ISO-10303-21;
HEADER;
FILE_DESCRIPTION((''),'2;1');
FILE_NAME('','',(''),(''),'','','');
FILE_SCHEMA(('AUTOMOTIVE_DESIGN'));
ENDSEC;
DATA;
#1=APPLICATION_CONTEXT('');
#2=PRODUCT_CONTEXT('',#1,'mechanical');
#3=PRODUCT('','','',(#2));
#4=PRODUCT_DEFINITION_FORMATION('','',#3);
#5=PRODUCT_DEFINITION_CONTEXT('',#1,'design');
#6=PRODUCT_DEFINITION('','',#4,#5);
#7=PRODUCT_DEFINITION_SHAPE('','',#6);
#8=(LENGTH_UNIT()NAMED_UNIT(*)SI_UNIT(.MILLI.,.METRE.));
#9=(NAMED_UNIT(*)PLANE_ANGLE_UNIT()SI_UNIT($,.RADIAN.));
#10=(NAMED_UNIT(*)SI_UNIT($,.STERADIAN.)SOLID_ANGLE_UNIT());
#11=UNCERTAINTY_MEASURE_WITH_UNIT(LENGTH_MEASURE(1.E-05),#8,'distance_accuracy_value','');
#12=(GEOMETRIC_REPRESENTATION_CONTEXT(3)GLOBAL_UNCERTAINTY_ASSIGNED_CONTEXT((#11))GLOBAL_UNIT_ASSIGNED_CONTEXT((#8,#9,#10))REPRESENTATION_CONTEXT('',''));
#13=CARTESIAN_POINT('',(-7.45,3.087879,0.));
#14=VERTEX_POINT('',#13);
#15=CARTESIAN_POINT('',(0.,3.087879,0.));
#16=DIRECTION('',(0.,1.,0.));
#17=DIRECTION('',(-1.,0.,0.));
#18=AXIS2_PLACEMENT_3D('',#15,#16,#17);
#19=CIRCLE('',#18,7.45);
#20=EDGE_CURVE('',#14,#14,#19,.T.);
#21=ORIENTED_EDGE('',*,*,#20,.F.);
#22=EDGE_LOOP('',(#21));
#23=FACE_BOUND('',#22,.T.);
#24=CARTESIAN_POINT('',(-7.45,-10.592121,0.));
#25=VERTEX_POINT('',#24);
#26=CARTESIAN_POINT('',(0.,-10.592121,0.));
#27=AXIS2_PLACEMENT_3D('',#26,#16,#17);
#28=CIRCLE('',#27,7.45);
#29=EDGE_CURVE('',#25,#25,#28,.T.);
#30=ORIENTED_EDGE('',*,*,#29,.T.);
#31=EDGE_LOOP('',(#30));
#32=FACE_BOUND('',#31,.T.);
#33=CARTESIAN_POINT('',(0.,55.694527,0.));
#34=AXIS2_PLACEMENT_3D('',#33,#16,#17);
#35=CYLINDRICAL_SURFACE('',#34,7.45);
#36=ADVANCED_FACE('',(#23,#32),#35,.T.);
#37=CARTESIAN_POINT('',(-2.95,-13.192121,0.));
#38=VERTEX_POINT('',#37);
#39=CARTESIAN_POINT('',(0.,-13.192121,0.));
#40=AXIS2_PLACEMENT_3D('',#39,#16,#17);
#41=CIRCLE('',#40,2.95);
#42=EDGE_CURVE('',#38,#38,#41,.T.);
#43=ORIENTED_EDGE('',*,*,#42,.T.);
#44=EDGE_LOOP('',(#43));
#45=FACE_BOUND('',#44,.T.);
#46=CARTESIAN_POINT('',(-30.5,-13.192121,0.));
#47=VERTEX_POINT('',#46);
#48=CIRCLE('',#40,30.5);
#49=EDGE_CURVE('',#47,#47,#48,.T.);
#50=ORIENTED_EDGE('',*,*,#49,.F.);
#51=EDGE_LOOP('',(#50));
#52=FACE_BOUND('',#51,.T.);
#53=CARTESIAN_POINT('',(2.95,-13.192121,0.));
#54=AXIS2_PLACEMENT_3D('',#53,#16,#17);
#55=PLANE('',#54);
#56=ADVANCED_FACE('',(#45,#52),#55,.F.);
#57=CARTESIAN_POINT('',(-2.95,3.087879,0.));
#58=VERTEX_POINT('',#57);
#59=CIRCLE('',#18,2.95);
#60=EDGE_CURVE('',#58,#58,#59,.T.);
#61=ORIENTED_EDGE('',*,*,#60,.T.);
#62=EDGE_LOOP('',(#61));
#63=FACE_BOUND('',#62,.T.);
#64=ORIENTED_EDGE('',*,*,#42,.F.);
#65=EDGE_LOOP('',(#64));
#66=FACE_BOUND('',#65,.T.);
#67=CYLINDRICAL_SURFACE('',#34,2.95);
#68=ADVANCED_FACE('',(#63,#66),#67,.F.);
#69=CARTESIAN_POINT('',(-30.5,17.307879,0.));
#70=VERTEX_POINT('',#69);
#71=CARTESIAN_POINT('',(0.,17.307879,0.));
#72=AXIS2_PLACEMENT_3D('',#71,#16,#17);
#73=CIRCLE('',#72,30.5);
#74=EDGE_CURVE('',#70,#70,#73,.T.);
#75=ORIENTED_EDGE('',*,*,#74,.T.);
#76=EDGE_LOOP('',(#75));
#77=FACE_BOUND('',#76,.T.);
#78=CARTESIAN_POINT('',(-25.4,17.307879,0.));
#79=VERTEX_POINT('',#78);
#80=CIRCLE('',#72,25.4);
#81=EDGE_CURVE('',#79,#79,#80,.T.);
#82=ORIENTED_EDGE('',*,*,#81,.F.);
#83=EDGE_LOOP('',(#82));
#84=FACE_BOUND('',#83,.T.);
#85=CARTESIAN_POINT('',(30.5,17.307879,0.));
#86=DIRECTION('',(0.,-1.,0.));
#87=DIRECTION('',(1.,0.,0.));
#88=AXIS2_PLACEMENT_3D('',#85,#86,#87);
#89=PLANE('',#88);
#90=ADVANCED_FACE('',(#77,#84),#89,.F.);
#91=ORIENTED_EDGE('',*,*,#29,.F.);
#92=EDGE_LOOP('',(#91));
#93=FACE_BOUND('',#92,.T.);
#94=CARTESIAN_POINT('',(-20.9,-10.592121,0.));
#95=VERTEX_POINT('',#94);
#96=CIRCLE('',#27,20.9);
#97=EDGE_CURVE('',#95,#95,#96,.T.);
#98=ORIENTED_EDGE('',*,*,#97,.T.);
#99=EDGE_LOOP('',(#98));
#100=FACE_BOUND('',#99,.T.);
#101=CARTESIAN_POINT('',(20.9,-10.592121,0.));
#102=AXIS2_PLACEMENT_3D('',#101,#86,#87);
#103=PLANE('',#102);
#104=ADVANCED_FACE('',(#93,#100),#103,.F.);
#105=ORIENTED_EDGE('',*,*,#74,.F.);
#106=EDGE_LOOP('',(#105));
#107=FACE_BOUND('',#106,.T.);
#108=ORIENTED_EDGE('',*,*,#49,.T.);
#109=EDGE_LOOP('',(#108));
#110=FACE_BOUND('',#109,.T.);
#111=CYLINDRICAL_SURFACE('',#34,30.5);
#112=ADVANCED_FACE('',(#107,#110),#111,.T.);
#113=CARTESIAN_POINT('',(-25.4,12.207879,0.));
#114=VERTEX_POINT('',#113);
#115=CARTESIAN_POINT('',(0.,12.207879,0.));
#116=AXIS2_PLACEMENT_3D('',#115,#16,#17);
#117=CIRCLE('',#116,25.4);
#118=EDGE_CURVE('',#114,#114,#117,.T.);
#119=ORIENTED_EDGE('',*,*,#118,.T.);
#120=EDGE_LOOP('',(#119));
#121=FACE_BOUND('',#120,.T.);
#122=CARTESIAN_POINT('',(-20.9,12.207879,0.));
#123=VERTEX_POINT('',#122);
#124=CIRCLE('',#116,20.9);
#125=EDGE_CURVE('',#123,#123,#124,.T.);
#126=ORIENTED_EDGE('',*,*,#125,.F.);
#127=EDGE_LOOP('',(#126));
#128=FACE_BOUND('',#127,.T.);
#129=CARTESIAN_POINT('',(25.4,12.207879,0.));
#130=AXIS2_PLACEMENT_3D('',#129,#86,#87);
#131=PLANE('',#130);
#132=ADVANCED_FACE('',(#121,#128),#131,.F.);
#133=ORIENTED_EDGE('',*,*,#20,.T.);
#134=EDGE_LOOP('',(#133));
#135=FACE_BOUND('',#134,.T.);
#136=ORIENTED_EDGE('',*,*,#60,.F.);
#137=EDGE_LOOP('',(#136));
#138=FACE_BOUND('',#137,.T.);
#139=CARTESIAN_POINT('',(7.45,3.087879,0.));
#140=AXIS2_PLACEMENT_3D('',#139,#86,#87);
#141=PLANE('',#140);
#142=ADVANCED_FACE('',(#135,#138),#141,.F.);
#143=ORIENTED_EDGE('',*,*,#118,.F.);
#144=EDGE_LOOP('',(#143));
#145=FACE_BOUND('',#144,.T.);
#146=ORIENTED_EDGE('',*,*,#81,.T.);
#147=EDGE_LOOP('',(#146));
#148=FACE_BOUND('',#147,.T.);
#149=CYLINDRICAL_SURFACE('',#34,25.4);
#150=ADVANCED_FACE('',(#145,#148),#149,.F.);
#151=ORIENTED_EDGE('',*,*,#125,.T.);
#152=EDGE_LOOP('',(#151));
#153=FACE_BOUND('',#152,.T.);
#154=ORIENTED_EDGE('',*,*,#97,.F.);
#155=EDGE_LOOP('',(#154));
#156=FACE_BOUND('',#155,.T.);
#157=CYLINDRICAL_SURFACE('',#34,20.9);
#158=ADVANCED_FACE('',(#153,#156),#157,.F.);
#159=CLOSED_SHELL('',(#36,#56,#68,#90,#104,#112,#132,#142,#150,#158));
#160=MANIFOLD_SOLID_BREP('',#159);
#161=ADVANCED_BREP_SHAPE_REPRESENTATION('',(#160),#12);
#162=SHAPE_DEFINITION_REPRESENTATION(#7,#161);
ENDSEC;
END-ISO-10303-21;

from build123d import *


with BuildPart() as part:
    # Sketch1 → Revolve1 (revolve)
    with BuildSketch(Plane.XY):
        Polygon((20.9, -10.592120945), (7.45, -10.592120945), (7.45, 3.087879055), (2.95, 3.087879055), (2.95, -13.192120945), (30.5, -13.192120945), (30.5, 17.307879055), (25.4, 17.307879055), (25.4, 12.207879055), (20.9, 12.207879055), align=None)
    revolve(axis=Axis((0, 55.694527482, 0), (0, -1, 0)))


solid = part.part
